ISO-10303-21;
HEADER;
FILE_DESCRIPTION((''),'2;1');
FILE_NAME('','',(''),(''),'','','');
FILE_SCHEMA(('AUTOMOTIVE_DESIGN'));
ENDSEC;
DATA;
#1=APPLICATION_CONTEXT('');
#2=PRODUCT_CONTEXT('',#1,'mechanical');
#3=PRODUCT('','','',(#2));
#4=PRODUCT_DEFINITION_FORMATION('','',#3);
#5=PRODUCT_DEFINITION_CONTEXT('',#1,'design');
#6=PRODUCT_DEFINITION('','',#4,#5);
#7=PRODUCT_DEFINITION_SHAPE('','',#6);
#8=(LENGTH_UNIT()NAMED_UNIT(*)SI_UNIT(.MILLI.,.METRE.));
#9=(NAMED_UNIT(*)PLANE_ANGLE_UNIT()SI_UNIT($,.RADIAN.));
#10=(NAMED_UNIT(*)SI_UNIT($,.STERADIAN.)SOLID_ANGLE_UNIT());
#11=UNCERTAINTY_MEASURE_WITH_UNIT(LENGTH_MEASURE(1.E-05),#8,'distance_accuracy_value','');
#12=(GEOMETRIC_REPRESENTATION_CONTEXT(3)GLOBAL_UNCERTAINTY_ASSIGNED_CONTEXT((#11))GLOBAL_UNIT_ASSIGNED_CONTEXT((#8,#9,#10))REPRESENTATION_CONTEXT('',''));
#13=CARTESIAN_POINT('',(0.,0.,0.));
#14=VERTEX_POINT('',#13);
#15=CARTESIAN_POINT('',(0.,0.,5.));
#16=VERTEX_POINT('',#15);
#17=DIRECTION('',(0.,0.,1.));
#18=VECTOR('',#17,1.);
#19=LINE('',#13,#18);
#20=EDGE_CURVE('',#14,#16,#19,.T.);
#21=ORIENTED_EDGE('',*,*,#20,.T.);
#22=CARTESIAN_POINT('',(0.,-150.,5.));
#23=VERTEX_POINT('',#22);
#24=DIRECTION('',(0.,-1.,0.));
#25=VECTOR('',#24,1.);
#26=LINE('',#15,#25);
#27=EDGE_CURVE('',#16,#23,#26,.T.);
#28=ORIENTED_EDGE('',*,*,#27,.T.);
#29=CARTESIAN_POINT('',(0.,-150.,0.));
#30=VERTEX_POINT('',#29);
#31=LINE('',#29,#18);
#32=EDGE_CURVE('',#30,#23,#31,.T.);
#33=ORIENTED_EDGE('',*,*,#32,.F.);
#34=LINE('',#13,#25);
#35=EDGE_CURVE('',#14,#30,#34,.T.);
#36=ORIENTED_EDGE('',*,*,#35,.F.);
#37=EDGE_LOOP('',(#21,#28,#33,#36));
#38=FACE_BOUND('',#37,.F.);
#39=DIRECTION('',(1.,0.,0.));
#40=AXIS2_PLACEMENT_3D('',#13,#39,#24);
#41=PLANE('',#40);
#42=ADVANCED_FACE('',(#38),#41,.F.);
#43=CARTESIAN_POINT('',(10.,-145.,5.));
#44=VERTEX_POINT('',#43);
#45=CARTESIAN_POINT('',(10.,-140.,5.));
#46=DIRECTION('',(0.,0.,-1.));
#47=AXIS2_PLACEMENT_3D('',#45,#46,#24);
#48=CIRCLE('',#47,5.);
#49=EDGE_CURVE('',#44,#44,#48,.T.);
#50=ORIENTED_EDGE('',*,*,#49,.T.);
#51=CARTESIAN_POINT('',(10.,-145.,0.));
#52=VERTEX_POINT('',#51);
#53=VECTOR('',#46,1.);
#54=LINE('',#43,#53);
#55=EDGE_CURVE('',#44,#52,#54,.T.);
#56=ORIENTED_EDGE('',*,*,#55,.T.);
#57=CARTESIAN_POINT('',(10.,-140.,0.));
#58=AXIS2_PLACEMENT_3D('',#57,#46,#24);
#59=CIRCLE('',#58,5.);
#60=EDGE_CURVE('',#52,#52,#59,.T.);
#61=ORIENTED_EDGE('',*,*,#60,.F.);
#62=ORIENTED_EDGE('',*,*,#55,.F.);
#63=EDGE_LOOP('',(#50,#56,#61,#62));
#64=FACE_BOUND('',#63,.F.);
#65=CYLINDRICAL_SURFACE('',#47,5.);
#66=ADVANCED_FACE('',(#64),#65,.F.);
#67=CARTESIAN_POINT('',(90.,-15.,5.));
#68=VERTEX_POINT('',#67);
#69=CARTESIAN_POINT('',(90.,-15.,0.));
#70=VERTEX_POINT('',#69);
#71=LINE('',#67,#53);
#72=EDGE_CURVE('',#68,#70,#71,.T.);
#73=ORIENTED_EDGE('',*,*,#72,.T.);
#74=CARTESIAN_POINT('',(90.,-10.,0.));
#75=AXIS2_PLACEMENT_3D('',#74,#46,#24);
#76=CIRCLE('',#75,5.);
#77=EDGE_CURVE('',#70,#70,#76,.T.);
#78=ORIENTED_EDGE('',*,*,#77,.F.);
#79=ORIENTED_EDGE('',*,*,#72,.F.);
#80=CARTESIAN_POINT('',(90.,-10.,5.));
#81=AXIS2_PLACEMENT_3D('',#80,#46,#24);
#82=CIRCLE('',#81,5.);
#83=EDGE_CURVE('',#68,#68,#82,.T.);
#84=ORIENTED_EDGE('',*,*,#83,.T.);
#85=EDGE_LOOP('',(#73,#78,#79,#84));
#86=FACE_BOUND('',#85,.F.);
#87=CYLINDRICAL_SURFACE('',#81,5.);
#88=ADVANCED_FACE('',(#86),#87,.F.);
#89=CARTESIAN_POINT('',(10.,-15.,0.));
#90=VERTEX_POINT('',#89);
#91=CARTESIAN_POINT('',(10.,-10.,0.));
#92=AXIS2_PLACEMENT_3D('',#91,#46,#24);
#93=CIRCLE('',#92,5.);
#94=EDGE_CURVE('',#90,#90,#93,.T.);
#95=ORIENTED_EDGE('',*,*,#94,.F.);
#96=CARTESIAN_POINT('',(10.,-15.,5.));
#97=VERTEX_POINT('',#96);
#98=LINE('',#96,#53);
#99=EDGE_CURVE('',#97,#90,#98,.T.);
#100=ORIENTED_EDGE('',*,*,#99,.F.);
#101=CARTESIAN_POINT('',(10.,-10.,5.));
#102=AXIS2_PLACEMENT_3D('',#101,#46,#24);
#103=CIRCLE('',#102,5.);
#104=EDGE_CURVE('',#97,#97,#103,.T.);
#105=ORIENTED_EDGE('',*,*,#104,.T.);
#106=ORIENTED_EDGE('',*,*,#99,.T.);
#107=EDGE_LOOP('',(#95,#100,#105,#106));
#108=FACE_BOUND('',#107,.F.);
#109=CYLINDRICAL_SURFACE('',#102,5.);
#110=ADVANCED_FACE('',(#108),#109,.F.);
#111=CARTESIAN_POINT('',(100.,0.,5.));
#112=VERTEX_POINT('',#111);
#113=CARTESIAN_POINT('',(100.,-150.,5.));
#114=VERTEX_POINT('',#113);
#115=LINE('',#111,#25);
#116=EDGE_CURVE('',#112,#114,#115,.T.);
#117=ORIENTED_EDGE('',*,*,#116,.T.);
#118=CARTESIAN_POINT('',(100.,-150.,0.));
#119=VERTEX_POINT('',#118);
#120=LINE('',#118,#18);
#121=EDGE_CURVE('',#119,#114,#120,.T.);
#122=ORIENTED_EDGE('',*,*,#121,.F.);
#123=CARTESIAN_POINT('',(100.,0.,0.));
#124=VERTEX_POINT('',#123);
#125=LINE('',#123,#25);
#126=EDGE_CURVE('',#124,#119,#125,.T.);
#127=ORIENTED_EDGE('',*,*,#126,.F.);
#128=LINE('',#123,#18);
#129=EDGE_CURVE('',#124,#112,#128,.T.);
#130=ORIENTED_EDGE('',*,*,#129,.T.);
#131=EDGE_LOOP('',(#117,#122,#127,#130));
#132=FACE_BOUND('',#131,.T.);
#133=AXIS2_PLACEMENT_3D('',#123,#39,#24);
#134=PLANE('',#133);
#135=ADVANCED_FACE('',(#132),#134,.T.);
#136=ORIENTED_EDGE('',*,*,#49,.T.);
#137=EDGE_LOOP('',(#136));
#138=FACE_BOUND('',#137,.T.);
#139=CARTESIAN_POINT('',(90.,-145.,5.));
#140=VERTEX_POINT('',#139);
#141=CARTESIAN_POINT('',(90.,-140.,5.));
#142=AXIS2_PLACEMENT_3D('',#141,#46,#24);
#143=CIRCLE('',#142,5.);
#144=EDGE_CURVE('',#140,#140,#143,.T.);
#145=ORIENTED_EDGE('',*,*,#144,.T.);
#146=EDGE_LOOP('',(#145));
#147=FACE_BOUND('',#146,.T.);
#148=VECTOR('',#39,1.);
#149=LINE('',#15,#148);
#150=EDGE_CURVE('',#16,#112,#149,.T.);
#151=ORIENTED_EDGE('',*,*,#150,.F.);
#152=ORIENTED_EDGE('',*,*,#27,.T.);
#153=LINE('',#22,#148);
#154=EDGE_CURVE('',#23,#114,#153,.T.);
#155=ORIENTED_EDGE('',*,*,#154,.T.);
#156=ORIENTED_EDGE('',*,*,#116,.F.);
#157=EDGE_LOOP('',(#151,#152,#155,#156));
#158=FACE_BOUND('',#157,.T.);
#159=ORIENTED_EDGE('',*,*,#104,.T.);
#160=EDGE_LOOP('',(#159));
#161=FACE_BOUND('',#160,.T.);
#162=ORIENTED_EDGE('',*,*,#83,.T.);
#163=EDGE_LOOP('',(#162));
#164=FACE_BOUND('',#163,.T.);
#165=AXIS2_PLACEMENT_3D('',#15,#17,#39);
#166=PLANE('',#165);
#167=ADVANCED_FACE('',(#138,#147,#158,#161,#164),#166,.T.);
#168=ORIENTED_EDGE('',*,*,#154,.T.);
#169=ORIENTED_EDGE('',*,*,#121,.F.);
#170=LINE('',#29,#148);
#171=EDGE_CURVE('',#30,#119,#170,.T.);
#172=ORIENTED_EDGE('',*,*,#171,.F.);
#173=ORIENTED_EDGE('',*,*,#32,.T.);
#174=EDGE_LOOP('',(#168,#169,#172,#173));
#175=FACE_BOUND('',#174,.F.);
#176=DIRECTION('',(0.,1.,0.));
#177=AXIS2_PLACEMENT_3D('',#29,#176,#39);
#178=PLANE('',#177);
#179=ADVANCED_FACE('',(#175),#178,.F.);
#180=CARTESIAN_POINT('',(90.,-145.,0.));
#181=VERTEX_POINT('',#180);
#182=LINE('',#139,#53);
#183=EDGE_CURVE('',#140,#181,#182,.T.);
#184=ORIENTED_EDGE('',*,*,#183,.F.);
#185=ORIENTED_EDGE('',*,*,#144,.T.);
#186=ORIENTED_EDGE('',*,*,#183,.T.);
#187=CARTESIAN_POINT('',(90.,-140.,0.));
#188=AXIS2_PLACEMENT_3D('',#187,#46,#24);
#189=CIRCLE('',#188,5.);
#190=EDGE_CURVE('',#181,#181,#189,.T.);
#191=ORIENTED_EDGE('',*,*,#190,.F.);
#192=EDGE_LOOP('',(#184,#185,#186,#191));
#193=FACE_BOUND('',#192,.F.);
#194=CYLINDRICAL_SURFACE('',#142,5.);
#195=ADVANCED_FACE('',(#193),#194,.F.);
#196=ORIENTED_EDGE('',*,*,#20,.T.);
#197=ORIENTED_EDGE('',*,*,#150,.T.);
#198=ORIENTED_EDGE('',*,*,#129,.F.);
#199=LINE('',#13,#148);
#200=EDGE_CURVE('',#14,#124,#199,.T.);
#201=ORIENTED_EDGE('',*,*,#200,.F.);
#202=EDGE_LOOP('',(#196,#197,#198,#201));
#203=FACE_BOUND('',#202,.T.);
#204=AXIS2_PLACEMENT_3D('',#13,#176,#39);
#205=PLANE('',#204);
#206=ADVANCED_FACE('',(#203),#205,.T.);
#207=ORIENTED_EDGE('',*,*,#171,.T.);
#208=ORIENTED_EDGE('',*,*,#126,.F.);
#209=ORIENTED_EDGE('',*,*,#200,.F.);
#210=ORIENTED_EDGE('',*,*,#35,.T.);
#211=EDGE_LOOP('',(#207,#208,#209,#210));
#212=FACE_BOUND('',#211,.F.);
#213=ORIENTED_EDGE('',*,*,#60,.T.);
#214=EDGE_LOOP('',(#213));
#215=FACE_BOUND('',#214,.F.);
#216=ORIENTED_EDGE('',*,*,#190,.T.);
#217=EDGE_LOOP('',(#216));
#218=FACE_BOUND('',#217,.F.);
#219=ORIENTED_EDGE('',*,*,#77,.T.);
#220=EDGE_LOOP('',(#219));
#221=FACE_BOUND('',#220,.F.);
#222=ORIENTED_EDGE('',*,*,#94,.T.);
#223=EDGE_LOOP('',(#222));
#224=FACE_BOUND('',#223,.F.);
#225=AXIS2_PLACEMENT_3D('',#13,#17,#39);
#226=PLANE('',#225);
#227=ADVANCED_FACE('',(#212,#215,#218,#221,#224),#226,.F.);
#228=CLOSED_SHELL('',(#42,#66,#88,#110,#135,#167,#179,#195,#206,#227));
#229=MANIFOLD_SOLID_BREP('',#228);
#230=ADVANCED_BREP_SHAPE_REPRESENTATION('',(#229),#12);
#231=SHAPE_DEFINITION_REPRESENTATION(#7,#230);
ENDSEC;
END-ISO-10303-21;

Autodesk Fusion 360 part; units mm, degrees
sketch "Sketch1" plane through (0, 0, 0) normal (0, 0, 1) x (1, 0, 0)
  line L0 (0, 0) -> (100, 0)
  line L1 (100, 0) -> (100, -150)
  line L2 (0, 0) -> (0, -150)
  line L3 (0, -150) -> (100, -150)
  dimension "d1" = 100
  dimension "d2" = 150
extrude "Extrude1" add sketch "Sketch1" along normal blind 5
hole "Hole1" at (10, -10, 5) direction (0, 0, -1) diameter 10 depth 5 tip angle 180
hole "Hole2" at (90, -10, 5) direction (0, 0, -1) diameter 10 depth 5 tip angle 180
hole "Hole3" at (10, -140, 5) direction (0, 0, -1) diameter 10 depth 5 tip angle 180
hole "Hole4" at (90, -140, 5) direction (0, 0, -1) diameter 10 depth 5 tip angle 180
